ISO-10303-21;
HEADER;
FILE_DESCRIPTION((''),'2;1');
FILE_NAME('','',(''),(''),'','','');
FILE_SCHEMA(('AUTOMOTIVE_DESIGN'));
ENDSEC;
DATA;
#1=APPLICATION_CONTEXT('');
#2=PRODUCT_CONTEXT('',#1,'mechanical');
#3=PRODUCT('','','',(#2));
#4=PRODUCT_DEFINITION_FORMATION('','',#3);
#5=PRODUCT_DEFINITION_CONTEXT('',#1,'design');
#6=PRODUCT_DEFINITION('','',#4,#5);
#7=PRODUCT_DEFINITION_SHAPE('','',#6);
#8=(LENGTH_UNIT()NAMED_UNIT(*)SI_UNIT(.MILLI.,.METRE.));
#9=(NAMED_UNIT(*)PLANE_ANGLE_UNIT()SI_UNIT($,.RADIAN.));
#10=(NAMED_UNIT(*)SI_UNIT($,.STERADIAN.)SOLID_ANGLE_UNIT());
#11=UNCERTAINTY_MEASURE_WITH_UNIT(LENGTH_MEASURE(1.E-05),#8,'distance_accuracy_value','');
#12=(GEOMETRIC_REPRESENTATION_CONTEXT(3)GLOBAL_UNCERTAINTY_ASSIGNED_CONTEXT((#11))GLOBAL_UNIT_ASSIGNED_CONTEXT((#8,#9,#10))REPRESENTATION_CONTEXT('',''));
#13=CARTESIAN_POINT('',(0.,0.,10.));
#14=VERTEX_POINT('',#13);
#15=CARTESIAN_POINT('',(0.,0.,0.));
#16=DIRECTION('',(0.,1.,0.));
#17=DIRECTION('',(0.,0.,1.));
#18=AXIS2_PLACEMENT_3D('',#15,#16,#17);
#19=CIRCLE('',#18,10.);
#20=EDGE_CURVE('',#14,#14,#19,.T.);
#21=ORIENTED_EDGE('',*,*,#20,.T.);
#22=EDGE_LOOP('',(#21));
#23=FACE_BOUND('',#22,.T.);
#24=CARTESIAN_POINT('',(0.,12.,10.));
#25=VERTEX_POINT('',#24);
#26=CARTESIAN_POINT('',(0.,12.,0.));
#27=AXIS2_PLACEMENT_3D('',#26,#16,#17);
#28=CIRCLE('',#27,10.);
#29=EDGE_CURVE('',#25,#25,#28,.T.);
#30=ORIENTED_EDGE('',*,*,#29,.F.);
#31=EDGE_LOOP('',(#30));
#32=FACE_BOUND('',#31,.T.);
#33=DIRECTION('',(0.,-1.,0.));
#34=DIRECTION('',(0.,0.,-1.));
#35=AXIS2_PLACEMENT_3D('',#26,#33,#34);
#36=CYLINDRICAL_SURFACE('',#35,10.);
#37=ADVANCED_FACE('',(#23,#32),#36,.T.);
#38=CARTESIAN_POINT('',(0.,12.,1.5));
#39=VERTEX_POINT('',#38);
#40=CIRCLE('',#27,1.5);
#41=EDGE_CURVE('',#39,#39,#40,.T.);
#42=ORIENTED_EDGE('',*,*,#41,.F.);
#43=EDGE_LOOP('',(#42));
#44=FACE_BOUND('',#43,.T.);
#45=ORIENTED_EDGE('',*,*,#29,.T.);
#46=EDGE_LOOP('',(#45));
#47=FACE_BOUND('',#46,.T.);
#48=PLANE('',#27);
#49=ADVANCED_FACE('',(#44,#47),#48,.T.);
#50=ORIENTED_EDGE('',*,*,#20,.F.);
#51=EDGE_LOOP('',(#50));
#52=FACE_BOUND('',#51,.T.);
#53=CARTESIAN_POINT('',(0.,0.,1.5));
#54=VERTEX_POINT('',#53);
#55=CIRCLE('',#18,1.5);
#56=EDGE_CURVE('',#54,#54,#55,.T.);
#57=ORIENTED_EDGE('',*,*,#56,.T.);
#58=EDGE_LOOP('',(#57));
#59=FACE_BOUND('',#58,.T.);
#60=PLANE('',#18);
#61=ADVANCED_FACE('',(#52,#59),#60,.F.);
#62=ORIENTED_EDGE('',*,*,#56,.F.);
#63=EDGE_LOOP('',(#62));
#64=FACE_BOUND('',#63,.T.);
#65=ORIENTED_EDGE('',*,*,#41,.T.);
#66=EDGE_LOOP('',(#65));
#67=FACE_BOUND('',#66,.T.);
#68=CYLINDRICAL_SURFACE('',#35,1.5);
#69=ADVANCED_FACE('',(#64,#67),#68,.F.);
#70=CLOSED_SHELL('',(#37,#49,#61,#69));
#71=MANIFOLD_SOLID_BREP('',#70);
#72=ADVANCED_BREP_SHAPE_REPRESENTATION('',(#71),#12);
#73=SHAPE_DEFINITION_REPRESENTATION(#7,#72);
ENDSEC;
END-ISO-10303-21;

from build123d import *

# Parameters (mm, degrees)
SKETCH1_R           = 10
SKETCH1_R_2         = 1.5
BOSS_EXTRUDE1_DEPTH = 12


with BuildPart() as part:
    # Sketch1 → Boss-Extrude1 (new body)
    with BuildSketch(Plane(origin=(0, 0, 0), x_dir=(1, 0, 0), z_dir=(0, 1, 0))):
        with Locations(Location((0, 0, 0), (0, 0, 270))):
            Circle(SKETCH1_R)
        with Locations(Location((0, 0, 0), (0, 0, 270))):
            Circle(SKETCH1_R_2, mode=Mode.SUBTRACT)
    extrude(amount=BOSS_EXTRUDE1_DEPTH)


solid = part.part
